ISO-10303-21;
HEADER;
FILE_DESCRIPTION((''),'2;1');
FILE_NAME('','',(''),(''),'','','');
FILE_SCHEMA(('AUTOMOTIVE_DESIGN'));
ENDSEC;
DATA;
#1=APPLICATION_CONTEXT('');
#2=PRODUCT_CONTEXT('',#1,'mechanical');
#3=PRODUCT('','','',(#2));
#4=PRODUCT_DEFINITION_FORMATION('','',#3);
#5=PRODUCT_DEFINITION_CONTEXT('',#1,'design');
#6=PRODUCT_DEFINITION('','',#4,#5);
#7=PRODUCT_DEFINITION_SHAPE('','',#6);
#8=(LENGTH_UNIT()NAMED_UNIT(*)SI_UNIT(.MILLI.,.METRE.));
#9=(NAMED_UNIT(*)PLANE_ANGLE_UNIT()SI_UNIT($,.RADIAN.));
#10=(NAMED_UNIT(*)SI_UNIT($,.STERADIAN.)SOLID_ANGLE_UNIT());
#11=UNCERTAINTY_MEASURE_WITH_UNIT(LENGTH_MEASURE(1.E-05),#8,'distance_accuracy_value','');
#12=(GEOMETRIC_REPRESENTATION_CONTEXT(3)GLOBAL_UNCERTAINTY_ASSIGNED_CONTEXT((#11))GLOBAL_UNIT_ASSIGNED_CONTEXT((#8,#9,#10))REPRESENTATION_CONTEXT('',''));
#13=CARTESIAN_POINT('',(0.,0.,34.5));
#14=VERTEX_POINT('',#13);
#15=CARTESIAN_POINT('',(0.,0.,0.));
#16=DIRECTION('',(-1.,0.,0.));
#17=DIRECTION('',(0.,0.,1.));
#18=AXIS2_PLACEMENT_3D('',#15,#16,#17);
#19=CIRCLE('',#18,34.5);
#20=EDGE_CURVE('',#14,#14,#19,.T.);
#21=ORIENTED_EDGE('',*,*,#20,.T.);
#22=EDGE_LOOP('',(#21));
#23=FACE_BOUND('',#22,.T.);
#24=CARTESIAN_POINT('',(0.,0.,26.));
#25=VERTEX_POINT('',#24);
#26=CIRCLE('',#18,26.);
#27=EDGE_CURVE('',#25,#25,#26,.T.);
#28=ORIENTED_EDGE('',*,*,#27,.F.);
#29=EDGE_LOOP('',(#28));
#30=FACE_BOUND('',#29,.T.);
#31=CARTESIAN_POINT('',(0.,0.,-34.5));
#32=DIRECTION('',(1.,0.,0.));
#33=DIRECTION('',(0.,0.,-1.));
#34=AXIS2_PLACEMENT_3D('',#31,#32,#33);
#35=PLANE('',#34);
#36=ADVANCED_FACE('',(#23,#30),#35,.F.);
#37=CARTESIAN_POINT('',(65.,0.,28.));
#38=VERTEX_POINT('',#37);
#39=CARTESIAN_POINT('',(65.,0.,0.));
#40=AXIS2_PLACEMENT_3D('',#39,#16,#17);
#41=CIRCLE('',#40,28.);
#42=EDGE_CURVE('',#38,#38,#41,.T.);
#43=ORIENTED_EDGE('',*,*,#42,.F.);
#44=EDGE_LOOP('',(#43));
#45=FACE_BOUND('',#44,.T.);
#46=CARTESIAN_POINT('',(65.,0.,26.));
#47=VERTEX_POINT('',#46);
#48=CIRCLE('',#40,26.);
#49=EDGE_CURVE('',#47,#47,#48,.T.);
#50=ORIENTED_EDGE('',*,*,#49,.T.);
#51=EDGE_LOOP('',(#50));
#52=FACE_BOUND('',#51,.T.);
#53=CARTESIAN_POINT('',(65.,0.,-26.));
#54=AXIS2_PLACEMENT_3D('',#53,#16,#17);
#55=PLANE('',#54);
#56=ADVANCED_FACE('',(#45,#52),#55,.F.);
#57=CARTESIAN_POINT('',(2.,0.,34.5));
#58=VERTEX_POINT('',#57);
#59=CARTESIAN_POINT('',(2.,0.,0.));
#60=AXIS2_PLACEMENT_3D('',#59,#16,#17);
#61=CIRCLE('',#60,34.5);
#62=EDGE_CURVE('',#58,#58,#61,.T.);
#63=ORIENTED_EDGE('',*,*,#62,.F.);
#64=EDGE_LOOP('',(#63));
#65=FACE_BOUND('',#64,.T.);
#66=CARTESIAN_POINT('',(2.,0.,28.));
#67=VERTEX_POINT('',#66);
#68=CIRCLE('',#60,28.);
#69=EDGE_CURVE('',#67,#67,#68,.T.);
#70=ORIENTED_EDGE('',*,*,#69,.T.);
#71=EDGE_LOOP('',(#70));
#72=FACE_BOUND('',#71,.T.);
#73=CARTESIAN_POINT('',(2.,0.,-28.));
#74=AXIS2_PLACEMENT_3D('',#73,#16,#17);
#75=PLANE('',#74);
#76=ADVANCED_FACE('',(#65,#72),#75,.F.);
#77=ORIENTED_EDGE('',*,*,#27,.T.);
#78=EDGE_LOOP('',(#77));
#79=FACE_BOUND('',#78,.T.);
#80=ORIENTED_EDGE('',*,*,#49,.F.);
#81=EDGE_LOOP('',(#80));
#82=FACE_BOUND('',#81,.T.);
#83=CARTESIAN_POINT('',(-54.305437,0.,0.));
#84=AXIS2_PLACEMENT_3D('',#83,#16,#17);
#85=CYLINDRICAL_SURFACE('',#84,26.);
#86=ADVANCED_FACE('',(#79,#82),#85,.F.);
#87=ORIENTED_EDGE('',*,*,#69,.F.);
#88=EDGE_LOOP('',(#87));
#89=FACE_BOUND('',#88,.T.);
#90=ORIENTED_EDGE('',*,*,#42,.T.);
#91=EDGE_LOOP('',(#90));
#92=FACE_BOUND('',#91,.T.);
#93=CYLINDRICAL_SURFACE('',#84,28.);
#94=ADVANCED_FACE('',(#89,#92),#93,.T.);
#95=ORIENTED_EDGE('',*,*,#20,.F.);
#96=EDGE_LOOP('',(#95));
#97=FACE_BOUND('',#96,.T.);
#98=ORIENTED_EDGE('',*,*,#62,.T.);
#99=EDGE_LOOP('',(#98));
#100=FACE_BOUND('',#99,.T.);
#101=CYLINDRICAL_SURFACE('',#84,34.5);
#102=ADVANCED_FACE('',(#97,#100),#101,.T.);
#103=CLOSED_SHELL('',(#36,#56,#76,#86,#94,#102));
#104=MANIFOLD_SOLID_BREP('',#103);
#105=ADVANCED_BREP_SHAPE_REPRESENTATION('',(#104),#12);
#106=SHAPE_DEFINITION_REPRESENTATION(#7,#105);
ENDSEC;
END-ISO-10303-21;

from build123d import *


with BuildPart() as part:
    # Sketch1 → Revolve1 (revolve)
    with BuildSketch(Plane(origin=(0, 0, 0), x_dir=(1, 0, 0), z_dir=(0, 1, 0)), mode=Mode.PRIVATE) as revolve1_sk:
        Polygon((0, 34.5), (0, 26), (65, 26), (65, 28), (2, 28), (2, 34.5), align=None)
    revolve(revolve1_sk.sketch.rotate(Axis((-54.305436705, 0, 0), (1, 0, 0)), 180), axis=Axis((-54.305436705, 0, 0), (1, 0, 0)))


solid = part.part
